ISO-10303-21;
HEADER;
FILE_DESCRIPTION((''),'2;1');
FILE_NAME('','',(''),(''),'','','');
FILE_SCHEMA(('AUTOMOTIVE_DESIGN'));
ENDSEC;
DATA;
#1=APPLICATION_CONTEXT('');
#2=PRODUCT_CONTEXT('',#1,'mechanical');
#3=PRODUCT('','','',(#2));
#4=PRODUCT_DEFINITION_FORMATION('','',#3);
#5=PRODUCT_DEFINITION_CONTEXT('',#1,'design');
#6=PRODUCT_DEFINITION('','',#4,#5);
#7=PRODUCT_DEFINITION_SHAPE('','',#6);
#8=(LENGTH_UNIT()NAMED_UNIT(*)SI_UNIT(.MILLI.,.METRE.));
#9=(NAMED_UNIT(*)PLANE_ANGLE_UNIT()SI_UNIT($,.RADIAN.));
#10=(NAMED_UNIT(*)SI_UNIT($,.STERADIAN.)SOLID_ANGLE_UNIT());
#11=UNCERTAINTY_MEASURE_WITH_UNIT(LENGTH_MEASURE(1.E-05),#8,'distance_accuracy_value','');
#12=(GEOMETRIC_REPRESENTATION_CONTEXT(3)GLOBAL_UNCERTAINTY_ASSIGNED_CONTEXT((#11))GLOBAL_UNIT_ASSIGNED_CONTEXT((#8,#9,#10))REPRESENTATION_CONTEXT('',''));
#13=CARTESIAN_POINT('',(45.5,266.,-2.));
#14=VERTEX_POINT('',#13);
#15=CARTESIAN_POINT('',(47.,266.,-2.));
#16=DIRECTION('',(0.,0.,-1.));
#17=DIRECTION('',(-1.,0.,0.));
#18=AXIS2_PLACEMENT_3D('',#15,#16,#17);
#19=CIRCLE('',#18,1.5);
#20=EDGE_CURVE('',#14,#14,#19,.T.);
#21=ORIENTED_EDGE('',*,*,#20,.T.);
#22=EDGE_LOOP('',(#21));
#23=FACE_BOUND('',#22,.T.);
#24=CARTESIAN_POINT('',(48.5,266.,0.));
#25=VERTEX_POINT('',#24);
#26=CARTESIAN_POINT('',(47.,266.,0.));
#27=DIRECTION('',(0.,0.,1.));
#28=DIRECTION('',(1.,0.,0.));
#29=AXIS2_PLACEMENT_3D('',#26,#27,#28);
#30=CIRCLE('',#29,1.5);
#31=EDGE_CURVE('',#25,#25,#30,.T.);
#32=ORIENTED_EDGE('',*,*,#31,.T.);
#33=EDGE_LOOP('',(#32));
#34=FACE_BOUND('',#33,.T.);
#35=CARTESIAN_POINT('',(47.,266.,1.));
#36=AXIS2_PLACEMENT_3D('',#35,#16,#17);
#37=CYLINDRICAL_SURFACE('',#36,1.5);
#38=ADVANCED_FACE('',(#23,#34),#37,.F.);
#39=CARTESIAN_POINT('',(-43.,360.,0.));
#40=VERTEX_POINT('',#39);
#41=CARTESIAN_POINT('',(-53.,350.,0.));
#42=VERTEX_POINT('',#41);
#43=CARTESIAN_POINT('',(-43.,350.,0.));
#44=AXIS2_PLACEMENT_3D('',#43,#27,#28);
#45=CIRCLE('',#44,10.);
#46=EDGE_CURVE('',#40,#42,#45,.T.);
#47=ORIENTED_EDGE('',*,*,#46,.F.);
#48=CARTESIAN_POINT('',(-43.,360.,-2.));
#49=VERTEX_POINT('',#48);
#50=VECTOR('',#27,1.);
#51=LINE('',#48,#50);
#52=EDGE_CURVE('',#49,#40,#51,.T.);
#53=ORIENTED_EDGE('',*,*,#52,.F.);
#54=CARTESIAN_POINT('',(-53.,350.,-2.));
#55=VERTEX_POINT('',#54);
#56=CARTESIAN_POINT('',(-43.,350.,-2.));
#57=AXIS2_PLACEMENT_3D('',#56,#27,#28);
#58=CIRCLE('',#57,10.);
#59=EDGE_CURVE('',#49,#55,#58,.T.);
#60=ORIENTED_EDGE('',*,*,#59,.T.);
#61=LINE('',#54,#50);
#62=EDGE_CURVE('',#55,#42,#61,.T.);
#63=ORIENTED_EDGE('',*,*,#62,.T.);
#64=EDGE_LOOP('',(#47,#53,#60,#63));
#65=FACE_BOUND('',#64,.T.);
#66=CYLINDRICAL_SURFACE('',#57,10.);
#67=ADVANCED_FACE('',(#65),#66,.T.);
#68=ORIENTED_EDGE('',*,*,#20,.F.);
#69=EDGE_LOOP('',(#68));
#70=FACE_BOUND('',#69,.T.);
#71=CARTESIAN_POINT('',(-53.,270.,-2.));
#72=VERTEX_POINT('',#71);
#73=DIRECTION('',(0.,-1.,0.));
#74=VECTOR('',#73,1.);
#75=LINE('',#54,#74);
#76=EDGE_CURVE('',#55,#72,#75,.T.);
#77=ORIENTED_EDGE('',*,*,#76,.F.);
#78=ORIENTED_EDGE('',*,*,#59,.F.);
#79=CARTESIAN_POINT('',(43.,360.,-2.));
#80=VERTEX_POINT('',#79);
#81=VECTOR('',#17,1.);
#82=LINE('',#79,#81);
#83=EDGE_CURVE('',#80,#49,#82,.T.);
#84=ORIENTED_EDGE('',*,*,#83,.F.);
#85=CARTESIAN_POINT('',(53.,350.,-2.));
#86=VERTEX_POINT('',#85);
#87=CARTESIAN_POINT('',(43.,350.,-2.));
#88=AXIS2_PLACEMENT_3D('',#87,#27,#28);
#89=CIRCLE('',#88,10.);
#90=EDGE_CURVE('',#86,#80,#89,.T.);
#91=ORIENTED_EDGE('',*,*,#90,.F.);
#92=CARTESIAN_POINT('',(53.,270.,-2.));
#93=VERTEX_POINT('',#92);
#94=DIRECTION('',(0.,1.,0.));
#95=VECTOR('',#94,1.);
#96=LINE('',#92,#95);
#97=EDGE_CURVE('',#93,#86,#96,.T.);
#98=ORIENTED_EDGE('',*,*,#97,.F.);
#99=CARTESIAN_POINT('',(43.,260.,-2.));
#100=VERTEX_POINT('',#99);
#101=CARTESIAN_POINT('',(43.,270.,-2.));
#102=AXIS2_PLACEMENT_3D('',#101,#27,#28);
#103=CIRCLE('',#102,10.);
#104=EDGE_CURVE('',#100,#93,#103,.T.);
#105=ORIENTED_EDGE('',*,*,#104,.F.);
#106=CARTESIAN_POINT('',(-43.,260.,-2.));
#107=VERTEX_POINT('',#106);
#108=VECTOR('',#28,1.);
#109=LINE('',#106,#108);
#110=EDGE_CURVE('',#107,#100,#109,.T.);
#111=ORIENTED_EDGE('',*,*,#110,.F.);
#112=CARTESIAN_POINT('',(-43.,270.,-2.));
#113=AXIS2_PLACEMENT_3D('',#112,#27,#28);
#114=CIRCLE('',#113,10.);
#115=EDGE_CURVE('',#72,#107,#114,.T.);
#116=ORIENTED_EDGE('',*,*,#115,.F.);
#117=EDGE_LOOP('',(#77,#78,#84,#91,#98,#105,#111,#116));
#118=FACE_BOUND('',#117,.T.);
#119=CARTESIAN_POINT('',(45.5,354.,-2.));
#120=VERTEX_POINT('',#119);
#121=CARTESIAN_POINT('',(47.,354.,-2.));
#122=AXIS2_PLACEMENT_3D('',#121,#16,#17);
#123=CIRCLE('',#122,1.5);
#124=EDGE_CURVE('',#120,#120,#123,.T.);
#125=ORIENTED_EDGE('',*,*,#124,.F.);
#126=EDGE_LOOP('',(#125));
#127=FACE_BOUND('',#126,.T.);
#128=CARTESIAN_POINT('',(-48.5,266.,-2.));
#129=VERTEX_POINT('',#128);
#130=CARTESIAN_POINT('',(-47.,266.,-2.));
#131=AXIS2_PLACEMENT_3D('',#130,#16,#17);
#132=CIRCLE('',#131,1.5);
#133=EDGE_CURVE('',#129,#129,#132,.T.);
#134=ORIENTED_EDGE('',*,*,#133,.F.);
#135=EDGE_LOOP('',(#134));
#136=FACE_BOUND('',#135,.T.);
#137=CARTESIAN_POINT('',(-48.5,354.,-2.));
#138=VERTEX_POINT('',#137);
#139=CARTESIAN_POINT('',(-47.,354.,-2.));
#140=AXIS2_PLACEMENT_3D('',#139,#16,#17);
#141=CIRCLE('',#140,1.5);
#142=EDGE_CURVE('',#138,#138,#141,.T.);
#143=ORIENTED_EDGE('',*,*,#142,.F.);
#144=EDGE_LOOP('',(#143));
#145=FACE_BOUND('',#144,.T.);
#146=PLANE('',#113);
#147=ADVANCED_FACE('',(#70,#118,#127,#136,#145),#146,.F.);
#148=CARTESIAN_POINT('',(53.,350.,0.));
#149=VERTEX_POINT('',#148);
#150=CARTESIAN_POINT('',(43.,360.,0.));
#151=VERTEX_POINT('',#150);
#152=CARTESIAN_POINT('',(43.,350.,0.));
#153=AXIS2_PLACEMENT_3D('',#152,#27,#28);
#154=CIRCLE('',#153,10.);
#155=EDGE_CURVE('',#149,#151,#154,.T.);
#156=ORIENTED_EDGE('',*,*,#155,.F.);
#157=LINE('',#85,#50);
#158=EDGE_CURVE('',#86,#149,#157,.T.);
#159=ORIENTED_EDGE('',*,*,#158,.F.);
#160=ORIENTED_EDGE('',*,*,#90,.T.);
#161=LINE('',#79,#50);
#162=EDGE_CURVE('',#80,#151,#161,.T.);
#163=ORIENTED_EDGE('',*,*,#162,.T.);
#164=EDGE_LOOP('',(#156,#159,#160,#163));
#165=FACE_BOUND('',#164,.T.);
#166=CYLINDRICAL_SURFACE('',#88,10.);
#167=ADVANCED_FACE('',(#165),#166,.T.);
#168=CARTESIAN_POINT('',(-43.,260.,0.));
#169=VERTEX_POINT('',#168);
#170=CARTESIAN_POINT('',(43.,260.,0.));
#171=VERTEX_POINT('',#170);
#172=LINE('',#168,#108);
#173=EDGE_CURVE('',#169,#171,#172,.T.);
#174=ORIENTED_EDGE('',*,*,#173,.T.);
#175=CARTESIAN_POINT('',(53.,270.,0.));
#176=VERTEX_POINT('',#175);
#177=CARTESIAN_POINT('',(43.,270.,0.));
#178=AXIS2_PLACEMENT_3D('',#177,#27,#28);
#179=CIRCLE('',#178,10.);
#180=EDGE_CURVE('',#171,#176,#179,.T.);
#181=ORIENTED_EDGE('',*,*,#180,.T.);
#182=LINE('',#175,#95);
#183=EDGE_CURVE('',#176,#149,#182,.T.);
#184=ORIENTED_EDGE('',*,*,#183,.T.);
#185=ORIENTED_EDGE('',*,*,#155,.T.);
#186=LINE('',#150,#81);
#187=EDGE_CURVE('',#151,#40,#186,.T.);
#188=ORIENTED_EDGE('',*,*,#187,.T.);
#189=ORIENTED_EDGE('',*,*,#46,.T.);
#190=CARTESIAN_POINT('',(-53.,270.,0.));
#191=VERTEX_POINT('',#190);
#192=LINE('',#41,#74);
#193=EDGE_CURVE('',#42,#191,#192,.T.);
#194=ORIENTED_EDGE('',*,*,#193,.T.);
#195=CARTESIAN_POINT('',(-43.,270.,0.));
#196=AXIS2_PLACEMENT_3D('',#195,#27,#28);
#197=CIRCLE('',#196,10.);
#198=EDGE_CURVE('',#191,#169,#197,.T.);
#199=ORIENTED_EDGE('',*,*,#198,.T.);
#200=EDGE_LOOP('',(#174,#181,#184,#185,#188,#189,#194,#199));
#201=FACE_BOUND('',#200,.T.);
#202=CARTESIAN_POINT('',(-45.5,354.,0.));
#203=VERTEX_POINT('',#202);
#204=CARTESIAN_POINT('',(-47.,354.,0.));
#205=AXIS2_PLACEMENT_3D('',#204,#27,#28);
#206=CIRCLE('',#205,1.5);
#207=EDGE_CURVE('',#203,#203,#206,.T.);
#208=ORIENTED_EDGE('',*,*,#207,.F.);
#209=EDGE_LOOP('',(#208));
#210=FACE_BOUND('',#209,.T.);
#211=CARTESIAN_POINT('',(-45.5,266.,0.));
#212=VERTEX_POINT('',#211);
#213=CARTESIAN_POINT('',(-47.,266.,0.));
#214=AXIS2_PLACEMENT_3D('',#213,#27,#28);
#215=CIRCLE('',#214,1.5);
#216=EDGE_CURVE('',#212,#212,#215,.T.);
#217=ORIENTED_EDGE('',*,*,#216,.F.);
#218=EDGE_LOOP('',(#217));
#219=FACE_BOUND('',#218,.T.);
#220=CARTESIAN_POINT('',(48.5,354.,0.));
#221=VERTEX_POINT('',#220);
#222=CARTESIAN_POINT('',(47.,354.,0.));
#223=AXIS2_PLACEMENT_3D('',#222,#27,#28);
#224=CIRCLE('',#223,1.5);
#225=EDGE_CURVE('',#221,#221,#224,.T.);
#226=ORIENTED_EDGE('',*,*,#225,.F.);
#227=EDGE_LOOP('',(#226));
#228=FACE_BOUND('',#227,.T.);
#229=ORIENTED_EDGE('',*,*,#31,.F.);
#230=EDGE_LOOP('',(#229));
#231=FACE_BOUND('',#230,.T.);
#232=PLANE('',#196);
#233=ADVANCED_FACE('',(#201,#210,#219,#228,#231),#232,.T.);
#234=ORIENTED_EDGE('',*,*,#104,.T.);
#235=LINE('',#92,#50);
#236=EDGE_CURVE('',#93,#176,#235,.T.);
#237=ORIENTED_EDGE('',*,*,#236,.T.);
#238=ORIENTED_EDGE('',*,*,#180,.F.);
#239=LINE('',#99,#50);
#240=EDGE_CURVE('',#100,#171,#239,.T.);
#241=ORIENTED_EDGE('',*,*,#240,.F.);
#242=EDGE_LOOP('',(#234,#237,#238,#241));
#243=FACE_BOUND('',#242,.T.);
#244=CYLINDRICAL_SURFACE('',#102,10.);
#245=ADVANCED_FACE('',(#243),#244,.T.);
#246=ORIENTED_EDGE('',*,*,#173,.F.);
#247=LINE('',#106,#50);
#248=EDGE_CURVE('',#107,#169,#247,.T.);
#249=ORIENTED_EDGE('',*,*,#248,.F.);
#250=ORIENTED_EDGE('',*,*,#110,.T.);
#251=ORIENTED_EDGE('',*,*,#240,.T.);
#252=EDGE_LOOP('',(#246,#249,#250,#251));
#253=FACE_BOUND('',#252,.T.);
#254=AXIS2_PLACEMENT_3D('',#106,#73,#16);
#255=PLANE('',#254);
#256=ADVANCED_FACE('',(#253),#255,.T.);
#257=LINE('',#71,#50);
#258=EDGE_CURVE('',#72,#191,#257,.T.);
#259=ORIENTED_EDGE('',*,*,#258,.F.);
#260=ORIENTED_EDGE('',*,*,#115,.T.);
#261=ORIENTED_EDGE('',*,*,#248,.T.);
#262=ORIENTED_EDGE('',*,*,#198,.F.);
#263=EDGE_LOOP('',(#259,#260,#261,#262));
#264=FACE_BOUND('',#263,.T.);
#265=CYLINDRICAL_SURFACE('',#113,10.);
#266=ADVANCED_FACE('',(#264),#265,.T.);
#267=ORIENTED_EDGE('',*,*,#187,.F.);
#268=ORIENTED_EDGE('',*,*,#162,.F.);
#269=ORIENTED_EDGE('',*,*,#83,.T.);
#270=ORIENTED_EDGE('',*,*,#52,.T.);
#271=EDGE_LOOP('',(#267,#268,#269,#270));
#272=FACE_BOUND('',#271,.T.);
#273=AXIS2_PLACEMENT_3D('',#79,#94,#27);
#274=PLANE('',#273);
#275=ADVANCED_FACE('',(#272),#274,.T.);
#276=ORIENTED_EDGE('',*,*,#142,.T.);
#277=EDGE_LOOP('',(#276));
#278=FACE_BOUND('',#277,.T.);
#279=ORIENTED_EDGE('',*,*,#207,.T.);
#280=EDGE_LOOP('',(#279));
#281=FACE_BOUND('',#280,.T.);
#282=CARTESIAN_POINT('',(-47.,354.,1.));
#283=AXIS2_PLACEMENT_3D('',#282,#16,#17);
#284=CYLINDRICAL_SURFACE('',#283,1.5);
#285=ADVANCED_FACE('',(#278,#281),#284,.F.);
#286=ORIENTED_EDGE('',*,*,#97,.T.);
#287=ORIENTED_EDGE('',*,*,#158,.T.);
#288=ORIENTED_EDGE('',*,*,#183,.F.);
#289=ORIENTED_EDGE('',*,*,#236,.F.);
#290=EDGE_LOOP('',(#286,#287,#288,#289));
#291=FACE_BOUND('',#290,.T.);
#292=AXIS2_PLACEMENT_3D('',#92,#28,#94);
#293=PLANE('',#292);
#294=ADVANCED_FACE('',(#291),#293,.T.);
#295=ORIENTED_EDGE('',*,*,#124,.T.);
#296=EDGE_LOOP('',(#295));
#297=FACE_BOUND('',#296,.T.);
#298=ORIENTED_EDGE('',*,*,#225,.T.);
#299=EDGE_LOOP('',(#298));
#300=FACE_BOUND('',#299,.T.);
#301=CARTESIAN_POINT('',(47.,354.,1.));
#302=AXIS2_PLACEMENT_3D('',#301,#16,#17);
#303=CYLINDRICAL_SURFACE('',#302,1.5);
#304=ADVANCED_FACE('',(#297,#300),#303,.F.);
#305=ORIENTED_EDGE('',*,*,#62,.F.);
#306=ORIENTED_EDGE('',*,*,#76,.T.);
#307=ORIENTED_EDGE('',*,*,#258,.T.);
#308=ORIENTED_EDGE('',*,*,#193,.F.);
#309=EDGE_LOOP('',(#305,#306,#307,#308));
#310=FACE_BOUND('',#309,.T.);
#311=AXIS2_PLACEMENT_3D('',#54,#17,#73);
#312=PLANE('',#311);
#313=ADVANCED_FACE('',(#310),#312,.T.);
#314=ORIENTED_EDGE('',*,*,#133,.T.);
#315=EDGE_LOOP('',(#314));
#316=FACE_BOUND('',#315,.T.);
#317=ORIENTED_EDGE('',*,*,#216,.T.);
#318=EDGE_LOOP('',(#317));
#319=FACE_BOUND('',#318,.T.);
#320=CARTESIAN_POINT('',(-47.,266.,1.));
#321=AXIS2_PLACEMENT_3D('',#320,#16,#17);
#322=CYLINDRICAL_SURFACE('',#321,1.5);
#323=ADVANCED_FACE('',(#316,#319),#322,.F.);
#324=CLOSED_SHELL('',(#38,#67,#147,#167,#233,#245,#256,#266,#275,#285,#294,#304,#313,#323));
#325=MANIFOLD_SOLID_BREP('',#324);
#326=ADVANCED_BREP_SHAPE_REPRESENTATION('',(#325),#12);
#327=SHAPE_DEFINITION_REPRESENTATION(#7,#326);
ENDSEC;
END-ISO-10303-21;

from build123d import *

# Parameters (mm, degrees)
BOSS_EXTRUDE1_DEPTH = 2
SKETCH2_R           = 1.5
CUT_EXTRUDE1_DEPTH  = 3


with BuildPart() as part:
    # Sketch1 → Boss-Extrude1 (new body)
    with BuildSketch(Plane.XY):
        with BuildLine():
            Line((-43, 260), (43, 260))
            ThreePointArc((43, 260), (50.071067812, 262.928932188), (53, 270))
            Line((53, 270), (53, 350))
            ThreePointArc((53, 350), (50.071067812, 357.071067812), (43, 360))
            Line((43, 360), (-43, 360))
            ThreePointArc((-43, 360), (-50.071067812, 357.071067812), (-53, 350))
            Line((-53, 350), (-53, 270))
            ThreePointArc((-53, 270), (-50.071067812, 262.928932188), (-43, 260))
        make_face()
    extrude(amount=-BOSS_EXTRUDE1_DEPTH)

    # Sketch2 → Cut-Extrude1 (cut)
    with BuildSketch(Plane(origin=(0, 0, -2), x_dir=(-1, 0, 0), z_dir=(0, 0, -1))):
        with Locations((47, 266)):
            Circle(SKETCH2_R)
        with Locations((47, 354)):
            Circle(SKETCH2_R)
        with Locations((-47, 354)):
            Circle(SKETCH2_R)
        with Locations((-47, 266)):
            Circle(SKETCH2_R)
    extrude(amount=-CUT_EXTRUDE1_DEPTH, mode=Mode.SUBTRACT)


solid = part.part
